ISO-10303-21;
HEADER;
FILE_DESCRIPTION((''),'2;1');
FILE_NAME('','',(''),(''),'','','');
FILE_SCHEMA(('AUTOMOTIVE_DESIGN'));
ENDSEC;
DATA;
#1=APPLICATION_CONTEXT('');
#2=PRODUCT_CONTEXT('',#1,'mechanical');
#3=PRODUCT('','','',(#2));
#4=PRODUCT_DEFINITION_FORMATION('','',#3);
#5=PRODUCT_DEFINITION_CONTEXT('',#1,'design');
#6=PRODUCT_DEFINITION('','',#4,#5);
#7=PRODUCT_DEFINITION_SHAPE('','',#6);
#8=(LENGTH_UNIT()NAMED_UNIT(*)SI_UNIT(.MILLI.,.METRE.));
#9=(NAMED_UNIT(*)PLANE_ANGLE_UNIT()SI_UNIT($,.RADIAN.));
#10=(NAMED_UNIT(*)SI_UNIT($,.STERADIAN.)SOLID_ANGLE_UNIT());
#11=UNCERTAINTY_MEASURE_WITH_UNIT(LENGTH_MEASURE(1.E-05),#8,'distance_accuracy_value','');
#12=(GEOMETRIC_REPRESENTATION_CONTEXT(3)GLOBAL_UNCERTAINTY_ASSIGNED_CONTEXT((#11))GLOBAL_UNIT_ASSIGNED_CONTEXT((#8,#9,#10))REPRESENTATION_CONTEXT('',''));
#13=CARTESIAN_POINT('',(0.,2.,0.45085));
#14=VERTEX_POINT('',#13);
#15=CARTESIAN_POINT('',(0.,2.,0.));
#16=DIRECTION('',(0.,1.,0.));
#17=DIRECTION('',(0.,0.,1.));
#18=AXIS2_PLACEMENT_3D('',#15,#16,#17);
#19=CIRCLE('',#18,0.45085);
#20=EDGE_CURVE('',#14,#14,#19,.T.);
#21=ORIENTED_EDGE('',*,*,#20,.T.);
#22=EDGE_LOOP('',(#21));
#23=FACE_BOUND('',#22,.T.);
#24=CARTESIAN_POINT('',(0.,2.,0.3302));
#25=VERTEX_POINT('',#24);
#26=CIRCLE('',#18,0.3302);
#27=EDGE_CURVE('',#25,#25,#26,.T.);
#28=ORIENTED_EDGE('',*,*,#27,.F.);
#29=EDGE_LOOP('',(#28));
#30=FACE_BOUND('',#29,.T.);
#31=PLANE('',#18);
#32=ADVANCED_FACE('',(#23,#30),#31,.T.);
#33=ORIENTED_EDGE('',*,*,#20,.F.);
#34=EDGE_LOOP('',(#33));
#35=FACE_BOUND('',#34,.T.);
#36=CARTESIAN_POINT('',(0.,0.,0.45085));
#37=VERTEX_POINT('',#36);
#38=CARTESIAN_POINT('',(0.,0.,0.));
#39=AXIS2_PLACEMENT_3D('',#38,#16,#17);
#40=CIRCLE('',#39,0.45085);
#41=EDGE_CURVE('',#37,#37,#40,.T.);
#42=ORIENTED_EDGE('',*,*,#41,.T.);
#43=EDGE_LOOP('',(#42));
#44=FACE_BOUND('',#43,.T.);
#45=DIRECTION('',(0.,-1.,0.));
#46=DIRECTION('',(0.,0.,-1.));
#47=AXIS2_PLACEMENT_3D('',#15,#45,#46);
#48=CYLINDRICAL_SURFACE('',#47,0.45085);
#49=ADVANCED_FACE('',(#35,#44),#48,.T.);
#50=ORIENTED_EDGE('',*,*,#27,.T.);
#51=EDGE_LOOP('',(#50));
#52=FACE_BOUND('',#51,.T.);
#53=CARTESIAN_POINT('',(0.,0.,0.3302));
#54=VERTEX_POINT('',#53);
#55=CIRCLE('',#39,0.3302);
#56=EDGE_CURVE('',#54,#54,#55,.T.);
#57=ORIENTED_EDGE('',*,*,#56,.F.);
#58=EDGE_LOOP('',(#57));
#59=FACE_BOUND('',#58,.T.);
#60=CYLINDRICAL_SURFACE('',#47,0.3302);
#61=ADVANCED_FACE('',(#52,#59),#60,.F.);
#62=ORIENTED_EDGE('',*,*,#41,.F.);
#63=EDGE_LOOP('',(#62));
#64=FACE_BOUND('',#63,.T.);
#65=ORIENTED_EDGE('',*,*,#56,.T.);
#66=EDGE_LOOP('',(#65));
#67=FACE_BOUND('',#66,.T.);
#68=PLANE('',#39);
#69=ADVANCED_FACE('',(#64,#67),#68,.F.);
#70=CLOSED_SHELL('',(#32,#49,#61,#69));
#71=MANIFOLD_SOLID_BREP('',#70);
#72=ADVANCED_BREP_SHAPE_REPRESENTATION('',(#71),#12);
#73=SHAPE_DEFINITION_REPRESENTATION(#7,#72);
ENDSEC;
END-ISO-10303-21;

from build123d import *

# Parameters (mm, degrees)
SKETCH1_R           = 0.45085
SKETCH1_R_2         = 0.3302
BOSS_EXTRUDE1_DEPTH = 2


with BuildPart() as part:
    # Sketch1 → Boss-Extrude1 (new body)
    with BuildSketch(Plane(origin=(0, 0, 0), x_dir=(1, 0, 0), z_dir=(0, 1, 0))):
        with Locations(Location((0, 0, 0), (0, 0, 270))):
            Circle(SKETCH1_R)
        with Locations(Location((0, 0, 0), (0, 0, 270))):
            Circle(SKETCH1_R_2, mode=Mode.SUBTRACT)
    extrude(amount=BOSS_EXTRUDE1_DEPTH)


solid = part.part
